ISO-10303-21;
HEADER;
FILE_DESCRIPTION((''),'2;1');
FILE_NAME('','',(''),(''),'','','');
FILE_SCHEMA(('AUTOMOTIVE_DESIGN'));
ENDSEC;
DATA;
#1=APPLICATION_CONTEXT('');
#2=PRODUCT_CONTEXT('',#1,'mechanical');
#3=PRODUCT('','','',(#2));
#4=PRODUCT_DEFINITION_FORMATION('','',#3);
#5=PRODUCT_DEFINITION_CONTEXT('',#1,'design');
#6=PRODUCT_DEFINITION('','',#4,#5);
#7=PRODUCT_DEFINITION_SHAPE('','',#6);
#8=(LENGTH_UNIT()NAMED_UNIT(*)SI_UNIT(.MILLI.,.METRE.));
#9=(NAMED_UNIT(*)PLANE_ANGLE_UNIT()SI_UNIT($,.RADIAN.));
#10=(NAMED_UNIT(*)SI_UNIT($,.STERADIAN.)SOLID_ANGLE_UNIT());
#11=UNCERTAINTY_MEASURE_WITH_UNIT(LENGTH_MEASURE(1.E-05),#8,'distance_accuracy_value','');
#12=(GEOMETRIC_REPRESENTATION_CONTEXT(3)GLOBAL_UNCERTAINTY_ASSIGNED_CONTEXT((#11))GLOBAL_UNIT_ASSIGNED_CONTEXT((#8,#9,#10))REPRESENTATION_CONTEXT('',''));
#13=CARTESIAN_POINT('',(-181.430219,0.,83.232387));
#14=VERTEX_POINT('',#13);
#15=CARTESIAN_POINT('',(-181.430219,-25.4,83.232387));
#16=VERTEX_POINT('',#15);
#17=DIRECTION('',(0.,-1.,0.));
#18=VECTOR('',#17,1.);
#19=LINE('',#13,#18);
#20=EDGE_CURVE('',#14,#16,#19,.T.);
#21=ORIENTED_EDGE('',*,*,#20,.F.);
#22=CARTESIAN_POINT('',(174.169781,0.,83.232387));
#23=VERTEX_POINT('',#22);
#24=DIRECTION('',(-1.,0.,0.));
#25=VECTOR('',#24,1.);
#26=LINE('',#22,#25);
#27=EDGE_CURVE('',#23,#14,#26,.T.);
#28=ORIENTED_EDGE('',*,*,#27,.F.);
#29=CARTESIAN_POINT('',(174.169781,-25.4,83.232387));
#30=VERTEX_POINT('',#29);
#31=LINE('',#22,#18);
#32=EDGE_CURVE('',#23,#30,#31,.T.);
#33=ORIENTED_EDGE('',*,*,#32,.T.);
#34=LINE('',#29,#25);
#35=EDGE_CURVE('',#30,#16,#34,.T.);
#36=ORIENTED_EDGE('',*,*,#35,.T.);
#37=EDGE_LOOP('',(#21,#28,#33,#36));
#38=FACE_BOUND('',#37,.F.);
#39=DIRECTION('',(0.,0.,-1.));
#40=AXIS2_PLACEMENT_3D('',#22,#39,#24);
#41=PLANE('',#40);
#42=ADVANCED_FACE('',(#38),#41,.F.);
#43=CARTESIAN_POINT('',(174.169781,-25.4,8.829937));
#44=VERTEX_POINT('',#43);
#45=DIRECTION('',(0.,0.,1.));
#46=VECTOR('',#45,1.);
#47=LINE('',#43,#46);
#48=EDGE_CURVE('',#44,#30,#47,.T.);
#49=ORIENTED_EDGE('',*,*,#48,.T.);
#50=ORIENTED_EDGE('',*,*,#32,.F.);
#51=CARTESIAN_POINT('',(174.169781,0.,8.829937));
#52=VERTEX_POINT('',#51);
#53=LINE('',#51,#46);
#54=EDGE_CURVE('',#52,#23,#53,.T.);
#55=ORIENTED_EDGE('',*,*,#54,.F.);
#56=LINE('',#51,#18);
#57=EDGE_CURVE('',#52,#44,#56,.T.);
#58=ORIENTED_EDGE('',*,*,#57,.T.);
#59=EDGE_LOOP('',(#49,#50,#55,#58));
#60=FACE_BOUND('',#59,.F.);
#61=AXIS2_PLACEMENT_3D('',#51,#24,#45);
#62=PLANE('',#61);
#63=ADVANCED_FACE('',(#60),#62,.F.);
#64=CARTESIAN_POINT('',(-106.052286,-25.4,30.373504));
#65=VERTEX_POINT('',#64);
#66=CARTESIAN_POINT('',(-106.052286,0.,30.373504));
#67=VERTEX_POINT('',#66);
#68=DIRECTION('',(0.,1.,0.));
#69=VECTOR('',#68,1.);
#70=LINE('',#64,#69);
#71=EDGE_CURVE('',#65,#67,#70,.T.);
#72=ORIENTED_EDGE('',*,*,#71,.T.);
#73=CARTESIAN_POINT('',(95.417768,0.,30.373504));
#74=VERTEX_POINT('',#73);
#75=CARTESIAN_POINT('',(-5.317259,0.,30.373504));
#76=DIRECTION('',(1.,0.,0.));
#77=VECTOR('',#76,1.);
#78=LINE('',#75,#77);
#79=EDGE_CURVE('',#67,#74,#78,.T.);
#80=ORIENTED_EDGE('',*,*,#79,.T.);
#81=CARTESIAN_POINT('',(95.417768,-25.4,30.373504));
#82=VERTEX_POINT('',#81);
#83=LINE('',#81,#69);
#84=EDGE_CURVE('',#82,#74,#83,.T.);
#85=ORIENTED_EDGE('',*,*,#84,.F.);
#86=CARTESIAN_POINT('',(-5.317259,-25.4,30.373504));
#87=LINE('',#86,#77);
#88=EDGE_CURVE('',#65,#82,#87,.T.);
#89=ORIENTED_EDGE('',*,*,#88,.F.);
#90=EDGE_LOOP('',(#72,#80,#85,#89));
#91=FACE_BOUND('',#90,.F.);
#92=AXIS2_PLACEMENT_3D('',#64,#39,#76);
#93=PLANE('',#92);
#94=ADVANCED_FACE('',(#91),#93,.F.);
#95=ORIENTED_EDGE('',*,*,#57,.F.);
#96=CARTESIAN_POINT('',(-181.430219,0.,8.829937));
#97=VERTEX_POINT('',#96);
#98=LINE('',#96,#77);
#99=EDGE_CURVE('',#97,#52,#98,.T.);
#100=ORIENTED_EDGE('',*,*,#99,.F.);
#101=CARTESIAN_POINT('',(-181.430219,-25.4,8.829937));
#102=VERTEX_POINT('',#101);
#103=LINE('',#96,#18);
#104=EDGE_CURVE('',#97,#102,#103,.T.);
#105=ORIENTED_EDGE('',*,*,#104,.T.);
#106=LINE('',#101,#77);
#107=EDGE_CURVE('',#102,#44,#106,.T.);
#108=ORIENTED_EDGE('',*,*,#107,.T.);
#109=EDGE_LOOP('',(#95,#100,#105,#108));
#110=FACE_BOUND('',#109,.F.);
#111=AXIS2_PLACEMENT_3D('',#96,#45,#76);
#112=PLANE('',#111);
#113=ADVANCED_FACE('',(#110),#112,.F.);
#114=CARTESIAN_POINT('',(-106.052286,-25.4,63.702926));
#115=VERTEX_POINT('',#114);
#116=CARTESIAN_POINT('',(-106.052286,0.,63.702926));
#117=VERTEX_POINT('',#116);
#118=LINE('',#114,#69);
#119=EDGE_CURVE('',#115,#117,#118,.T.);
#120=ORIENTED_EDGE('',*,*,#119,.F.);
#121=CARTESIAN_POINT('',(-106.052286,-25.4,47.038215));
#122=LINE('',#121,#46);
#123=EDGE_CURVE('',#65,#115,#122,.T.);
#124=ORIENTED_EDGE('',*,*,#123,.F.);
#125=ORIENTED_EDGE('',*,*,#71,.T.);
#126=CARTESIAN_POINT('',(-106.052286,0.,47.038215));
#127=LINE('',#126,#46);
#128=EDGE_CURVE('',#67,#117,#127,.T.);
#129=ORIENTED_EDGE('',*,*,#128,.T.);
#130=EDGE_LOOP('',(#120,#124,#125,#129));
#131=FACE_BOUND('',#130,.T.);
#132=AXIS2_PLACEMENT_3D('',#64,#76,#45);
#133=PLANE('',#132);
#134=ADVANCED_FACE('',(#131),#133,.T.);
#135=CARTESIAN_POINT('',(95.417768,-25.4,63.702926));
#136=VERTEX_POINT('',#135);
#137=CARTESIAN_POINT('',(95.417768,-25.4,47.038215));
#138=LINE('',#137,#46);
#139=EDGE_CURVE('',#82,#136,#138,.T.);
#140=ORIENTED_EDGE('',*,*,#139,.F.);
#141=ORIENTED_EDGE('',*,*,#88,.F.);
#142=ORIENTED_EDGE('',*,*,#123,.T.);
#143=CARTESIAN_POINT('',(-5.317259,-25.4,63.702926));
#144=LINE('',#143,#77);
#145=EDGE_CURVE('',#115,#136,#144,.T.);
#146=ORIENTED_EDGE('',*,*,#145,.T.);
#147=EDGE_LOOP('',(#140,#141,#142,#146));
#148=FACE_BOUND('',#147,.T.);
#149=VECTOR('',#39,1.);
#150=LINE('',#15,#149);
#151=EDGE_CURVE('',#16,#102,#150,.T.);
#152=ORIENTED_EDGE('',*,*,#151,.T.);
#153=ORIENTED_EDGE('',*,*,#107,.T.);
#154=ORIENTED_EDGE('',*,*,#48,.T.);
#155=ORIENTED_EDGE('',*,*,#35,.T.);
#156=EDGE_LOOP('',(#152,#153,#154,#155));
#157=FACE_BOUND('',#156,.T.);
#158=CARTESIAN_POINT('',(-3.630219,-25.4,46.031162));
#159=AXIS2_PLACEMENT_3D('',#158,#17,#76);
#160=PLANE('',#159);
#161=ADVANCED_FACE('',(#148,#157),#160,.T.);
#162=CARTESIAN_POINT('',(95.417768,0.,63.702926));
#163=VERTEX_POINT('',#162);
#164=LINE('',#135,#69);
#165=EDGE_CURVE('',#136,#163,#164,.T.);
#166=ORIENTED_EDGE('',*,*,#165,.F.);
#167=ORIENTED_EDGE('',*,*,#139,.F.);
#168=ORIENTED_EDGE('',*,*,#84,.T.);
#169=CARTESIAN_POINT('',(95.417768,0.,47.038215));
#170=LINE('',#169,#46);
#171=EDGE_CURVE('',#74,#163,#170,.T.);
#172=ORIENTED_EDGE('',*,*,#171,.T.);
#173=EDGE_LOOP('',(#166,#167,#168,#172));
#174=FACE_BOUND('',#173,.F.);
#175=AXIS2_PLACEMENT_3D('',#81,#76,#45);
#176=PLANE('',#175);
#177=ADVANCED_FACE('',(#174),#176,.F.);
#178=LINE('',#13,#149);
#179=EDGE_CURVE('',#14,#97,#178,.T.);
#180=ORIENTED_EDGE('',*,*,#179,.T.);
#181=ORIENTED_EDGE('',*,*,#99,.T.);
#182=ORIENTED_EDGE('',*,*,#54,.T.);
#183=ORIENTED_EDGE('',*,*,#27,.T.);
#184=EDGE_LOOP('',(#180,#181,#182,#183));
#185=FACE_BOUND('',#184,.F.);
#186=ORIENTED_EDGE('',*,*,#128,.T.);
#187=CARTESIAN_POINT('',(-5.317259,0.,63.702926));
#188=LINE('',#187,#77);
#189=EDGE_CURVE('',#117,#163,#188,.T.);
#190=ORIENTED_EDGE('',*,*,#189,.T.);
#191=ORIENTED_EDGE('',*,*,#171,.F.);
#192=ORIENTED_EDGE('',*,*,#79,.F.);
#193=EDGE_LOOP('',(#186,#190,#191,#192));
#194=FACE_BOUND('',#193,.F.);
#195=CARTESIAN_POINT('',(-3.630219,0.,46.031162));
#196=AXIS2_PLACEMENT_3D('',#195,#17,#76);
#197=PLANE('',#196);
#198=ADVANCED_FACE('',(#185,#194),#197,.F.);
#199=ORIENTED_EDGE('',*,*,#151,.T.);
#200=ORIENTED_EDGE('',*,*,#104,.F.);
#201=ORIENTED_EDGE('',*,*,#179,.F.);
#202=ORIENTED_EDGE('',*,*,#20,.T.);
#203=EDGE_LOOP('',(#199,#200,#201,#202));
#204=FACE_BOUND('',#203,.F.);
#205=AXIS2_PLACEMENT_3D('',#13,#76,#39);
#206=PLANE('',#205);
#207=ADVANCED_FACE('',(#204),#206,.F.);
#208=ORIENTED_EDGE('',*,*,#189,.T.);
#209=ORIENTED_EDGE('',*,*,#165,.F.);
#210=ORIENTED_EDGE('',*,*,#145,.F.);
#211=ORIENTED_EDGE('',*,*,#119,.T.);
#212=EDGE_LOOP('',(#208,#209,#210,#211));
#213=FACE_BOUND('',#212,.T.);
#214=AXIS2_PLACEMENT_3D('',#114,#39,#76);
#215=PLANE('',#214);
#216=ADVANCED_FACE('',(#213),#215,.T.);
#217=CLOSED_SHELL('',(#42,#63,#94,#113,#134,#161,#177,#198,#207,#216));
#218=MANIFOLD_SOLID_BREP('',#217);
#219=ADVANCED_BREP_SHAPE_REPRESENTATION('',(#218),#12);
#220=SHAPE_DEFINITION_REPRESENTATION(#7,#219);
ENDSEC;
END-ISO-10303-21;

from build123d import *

# Parameters (mm, degrees)
F1_DEPTH = 25.4
F2_W     = 355.6
F2_H     = 74.40245
F2_W_2   = 201.470055
F2_H_2   = 33.329422
F3_DEPTH = 25.4


with BuildPart() as f1:
    # F0 (on Front) → F1 (new body)
    with BuildSketch(Plane.XZ):
        Polygon((174.169781, 83.232387), (-181.430219, 83.232387), (-181.430219, 8.829937), (-127.816673, 8.829937), (123.838696, 8.829937), (173.075632, 8.829937), (174.169781, 8.829937), align=None)
    extrude(amount=F1_DEPTH)

    # F2 (on face) → F3 (intersect)
    with BuildSketch(Plane.XZ.offset(25.4)):
        with Locations((-3.630219, 46.031162)):
            Rectangle(F2_W, F2_H)
        with Locations((-5.317259, 47.038215)):
            Rectangle(F2_W_2, F2_H_2, mode=Mode.SUBTRACT)
    extrude(amount=-F3_DEPTH, mode=Mode.INTERSECT)


solid = f1.part
